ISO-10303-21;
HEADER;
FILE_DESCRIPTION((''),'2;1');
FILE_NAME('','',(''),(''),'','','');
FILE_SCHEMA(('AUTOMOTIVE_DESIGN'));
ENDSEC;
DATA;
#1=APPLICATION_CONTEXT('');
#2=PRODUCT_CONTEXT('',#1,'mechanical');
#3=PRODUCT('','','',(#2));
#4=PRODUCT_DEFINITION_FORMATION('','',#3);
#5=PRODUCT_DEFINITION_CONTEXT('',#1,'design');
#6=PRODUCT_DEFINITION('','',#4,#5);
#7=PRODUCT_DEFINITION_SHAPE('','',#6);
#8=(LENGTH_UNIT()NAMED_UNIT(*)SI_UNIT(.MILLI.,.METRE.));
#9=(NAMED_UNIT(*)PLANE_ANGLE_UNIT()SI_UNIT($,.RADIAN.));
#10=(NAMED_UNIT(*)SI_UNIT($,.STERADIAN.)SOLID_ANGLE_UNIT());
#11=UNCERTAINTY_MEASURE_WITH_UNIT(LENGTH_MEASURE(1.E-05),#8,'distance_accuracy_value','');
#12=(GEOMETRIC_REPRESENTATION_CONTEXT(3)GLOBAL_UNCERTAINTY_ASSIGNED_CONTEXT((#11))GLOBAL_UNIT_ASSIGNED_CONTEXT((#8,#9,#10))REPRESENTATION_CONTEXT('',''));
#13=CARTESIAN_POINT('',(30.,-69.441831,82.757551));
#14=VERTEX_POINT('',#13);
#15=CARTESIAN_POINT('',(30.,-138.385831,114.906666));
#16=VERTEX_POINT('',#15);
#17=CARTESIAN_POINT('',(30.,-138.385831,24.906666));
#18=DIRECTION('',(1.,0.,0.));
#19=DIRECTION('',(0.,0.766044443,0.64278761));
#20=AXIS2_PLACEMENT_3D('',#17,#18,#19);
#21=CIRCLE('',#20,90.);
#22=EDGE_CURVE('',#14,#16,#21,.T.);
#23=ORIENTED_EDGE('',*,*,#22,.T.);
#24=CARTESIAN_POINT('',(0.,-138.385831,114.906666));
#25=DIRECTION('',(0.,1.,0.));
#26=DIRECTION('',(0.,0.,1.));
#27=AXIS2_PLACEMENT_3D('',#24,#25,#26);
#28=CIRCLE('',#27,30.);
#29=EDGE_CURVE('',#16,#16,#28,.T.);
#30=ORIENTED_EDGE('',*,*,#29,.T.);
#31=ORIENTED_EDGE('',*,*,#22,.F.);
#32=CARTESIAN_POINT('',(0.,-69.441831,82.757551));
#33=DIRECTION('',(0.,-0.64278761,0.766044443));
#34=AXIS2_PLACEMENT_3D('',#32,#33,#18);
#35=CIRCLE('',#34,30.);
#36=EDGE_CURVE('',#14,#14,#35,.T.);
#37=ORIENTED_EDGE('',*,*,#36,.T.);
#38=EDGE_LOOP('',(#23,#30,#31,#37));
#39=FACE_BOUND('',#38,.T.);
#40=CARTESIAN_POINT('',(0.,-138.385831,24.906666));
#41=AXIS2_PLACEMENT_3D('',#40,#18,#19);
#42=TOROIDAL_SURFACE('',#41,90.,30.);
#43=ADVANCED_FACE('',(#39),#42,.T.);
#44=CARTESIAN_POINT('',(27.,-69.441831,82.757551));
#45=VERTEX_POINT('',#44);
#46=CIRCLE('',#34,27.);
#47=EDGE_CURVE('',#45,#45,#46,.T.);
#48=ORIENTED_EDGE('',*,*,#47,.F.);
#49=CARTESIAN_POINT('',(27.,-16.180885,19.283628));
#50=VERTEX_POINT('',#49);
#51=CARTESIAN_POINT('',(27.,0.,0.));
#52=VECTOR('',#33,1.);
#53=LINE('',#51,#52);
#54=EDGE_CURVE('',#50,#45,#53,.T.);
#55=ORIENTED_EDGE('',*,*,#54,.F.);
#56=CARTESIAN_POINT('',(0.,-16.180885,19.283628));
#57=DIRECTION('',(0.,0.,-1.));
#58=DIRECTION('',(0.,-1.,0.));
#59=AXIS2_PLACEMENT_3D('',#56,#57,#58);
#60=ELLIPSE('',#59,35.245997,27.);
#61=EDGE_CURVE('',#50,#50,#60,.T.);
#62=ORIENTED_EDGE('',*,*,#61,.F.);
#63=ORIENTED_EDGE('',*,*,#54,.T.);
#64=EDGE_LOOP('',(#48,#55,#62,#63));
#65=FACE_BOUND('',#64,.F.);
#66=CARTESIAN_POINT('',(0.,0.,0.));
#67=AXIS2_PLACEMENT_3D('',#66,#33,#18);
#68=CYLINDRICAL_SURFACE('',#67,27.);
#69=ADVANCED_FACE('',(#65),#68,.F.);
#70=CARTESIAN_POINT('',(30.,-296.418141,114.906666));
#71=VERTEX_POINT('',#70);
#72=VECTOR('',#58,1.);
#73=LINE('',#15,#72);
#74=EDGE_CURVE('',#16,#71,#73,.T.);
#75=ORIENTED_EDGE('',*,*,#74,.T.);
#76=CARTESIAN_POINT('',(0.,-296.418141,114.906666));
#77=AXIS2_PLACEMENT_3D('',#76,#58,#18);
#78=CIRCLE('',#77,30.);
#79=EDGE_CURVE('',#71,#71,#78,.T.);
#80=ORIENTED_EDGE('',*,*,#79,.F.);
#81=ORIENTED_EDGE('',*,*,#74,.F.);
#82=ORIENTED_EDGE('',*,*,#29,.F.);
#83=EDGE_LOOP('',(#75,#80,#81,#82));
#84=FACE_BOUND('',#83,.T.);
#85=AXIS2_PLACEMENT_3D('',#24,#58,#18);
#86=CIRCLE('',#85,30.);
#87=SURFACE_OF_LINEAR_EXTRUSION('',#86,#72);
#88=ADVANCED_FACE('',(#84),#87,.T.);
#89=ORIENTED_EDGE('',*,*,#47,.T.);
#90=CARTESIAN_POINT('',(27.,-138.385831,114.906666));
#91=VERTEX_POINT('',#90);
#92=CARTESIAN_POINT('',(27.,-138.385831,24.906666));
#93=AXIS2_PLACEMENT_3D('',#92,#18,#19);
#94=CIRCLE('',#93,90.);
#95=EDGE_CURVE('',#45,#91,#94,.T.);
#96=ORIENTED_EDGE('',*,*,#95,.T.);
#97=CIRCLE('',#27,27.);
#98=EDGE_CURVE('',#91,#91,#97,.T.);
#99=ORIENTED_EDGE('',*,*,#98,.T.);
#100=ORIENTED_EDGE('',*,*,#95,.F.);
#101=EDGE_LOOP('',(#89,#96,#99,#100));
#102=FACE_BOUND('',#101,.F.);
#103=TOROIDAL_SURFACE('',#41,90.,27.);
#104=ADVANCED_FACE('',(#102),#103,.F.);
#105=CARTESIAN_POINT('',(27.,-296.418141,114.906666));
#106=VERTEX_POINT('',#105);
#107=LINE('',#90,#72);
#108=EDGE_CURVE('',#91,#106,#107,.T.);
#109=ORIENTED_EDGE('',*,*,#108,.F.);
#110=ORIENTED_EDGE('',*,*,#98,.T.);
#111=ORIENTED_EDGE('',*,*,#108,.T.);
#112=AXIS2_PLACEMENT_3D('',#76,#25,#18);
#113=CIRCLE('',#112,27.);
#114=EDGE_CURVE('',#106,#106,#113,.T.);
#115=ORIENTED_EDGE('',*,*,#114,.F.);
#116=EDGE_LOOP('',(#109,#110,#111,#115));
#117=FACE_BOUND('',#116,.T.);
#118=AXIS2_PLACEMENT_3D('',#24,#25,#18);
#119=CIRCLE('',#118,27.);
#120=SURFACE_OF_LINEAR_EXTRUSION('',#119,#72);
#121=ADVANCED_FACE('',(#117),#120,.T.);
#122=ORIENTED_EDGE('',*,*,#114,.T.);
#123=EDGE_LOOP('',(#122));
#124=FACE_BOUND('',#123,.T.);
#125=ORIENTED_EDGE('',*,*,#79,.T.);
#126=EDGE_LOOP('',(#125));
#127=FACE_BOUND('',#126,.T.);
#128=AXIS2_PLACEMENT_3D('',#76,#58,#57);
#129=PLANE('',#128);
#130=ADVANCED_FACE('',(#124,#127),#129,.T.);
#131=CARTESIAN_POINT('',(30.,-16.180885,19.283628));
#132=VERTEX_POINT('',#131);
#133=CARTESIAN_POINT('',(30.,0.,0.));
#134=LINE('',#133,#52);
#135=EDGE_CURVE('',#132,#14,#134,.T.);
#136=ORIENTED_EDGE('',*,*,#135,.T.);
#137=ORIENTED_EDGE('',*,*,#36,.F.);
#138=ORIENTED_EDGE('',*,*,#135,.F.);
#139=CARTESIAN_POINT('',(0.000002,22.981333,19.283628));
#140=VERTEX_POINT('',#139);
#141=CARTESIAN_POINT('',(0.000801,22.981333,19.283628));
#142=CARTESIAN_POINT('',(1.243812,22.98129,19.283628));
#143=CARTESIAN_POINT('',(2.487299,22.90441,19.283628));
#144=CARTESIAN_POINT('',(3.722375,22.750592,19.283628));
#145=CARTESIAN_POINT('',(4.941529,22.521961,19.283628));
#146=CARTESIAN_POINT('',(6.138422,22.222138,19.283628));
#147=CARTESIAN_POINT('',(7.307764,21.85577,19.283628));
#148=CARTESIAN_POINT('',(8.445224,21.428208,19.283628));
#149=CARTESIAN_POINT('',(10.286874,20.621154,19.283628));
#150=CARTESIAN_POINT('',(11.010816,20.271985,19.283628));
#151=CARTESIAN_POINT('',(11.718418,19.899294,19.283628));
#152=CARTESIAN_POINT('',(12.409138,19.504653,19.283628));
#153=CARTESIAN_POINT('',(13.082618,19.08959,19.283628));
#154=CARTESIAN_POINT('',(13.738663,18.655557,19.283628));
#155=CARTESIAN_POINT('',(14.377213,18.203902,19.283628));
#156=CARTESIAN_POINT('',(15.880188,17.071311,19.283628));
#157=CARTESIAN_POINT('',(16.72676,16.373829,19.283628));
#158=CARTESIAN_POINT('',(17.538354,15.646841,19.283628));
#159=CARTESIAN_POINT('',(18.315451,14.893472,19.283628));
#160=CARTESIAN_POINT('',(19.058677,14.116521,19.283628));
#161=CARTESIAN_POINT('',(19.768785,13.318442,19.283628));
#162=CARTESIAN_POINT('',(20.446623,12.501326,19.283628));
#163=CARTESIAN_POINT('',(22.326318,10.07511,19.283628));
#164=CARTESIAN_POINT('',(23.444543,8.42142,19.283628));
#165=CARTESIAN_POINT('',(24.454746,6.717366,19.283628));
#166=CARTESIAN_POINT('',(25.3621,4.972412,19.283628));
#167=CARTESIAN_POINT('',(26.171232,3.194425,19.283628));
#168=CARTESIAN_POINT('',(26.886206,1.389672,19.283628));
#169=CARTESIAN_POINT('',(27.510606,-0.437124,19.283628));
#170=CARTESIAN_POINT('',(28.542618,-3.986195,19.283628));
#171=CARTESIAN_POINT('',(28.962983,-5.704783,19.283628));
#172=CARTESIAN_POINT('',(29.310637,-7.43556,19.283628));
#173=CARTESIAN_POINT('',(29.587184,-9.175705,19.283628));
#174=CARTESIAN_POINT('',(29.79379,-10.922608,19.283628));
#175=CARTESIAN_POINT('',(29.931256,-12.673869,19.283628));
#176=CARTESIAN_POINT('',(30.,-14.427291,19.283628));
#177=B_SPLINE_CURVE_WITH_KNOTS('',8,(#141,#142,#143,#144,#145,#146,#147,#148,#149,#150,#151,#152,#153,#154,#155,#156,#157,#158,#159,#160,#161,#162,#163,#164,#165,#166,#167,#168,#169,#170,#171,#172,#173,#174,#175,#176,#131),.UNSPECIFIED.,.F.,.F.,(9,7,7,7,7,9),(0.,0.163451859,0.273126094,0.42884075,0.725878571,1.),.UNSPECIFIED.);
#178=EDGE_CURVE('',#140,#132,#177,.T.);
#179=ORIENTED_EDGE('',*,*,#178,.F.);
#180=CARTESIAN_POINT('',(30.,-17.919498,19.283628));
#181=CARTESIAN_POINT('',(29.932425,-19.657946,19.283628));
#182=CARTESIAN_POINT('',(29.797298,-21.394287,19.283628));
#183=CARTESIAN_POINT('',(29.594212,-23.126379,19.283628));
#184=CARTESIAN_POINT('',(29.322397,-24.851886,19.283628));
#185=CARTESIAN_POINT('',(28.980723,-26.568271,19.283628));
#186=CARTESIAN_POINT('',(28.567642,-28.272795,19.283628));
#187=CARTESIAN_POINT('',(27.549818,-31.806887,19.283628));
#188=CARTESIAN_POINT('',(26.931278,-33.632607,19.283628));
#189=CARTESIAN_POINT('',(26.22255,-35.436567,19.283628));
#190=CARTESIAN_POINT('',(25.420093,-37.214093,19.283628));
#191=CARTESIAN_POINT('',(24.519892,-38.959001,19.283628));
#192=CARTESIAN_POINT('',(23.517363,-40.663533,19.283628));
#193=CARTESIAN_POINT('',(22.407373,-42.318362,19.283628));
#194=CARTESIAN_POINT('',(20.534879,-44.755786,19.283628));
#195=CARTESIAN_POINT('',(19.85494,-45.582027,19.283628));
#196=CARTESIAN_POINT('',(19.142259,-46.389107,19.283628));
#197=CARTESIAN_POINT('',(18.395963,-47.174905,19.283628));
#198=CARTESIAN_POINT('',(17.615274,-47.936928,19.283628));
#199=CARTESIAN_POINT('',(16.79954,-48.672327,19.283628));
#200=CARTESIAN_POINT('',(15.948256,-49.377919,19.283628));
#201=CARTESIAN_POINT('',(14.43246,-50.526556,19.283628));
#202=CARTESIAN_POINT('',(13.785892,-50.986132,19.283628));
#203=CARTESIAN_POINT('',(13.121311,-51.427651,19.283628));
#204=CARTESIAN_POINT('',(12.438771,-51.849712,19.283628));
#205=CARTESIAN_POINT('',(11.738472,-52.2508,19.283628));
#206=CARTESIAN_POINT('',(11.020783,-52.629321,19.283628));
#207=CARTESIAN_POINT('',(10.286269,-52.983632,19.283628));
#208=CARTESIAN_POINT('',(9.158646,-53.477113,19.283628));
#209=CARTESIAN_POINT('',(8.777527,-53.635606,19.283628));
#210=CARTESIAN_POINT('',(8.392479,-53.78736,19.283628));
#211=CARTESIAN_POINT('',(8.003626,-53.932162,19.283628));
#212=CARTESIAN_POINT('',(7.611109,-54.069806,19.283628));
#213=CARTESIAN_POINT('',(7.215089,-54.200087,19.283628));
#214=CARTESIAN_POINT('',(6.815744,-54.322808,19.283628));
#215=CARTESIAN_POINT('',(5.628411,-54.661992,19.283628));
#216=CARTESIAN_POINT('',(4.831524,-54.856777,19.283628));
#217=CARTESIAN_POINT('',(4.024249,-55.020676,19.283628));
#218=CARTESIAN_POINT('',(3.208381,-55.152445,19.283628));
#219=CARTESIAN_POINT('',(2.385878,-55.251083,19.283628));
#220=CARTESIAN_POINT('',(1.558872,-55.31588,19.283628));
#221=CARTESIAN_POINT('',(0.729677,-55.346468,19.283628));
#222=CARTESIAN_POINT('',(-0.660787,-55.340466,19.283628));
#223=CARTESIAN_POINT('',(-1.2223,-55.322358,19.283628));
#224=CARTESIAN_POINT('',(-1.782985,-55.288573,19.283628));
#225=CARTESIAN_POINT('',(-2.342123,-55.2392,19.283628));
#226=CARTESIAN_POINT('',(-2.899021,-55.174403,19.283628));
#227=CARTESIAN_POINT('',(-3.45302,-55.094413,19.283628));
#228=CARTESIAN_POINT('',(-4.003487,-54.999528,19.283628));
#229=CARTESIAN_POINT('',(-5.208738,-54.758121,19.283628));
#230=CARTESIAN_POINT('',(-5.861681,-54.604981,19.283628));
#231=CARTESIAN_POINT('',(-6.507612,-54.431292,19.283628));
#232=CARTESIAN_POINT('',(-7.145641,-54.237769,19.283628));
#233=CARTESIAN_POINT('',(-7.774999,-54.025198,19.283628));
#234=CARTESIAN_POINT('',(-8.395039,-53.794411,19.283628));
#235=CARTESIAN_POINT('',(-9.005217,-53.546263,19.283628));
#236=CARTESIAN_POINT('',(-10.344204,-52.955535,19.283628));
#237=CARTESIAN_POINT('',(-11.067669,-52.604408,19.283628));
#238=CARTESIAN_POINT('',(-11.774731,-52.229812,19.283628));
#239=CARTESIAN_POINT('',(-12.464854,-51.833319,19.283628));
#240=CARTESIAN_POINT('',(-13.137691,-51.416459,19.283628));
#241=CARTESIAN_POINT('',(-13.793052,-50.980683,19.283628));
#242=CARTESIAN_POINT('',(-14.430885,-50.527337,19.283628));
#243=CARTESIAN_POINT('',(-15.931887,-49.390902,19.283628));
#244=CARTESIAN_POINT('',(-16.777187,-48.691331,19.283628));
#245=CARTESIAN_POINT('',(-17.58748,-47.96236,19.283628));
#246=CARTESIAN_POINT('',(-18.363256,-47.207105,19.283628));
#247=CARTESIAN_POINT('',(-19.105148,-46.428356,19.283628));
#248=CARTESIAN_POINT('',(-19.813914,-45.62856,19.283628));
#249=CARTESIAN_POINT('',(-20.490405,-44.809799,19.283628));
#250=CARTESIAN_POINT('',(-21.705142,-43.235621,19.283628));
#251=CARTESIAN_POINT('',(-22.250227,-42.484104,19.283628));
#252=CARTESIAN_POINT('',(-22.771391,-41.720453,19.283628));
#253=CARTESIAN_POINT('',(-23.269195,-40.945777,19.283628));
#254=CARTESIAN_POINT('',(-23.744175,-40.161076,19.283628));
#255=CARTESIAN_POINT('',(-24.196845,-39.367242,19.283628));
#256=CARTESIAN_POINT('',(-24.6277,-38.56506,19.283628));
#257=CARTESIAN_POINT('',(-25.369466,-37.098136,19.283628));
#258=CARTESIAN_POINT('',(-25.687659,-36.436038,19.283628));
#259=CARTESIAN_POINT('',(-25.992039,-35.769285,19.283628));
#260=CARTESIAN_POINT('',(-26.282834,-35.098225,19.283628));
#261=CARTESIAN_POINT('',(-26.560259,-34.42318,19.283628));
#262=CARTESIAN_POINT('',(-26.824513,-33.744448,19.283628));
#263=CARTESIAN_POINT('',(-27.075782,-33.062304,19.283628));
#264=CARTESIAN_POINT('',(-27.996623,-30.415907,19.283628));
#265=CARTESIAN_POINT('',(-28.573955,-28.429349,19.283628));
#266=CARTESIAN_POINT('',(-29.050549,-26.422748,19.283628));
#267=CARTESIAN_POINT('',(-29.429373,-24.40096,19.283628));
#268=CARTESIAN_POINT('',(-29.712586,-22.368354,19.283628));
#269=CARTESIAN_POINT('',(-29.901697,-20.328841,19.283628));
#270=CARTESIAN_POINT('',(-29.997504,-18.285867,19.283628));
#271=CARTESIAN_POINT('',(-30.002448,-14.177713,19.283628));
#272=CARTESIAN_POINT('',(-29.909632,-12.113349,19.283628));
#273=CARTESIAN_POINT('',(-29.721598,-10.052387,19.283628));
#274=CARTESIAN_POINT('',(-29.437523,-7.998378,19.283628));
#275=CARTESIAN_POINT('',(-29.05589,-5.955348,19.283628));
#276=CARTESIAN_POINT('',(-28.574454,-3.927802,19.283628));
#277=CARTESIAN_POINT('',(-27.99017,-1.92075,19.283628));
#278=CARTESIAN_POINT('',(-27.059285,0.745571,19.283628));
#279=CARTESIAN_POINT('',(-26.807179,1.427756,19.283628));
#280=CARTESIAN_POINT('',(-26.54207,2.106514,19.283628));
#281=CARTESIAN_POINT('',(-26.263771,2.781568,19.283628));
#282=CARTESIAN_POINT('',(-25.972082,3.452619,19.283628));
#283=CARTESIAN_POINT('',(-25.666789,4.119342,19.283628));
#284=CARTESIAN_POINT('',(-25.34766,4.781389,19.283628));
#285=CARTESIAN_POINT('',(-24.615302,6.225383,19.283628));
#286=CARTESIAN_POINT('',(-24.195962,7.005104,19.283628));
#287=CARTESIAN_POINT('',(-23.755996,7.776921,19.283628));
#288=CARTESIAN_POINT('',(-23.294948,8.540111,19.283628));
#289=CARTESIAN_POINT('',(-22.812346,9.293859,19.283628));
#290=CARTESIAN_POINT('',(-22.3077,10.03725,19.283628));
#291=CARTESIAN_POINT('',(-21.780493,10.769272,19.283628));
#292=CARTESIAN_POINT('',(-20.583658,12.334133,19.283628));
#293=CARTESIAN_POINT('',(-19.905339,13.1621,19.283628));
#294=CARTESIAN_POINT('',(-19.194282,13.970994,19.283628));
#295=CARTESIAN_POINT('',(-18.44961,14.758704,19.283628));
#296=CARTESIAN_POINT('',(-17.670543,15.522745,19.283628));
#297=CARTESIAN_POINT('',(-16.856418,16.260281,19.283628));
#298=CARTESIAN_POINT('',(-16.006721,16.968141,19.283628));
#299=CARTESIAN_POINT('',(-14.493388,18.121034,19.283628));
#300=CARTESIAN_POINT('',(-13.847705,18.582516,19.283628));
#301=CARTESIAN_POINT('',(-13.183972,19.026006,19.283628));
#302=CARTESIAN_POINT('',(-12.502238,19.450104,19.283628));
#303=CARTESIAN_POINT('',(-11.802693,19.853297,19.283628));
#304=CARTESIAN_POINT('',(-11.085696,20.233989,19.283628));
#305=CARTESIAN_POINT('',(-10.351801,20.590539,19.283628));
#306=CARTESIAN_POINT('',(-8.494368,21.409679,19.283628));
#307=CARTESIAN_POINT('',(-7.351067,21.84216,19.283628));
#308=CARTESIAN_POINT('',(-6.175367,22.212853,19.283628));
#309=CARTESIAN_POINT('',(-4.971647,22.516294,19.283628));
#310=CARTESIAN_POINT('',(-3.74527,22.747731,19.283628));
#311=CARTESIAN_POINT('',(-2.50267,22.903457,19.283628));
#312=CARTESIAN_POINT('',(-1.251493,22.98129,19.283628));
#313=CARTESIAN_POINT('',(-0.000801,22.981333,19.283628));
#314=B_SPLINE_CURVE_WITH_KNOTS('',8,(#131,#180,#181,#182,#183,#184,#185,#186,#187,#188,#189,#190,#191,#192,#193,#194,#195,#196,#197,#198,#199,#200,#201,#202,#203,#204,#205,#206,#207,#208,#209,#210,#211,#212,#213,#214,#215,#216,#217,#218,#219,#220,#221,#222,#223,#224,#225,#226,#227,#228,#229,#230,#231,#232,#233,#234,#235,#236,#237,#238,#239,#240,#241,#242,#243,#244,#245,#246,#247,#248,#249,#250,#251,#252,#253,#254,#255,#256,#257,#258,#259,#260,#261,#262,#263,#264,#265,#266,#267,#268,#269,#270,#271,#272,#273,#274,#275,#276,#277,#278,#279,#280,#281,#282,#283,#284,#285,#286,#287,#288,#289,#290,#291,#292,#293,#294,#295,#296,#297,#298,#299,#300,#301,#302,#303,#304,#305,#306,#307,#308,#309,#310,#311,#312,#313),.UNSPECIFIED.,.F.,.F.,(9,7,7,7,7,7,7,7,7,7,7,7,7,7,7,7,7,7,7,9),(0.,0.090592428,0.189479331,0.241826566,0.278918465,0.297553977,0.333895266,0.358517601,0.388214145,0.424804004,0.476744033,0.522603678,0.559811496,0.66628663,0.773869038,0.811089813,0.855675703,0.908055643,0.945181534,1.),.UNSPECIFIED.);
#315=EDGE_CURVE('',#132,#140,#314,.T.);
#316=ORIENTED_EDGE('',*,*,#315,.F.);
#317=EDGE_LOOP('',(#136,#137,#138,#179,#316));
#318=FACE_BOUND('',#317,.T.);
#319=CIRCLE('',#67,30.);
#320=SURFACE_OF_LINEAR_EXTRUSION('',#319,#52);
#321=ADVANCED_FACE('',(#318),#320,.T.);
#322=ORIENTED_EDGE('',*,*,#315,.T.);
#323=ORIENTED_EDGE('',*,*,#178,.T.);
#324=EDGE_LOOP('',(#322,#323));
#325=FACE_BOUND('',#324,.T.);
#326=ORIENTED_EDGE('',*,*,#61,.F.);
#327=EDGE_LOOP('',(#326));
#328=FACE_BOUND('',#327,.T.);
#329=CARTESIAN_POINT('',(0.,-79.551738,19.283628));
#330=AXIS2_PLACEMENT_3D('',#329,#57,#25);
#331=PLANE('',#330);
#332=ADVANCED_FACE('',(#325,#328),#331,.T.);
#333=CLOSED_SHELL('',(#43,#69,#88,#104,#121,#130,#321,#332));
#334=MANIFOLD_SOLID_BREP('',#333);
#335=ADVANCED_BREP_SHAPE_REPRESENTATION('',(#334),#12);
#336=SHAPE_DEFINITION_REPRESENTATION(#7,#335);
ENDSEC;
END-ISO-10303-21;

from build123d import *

# Parameters (mm, degrees)
SKETCH2_R          = 30
SKETCH2_R_2        = 27
SKETCH3_W          = 74.646926984
SKETCH3_H          = 102.533071649
CUT_EXTRUDE1_DEPTH = 65


with BuildPart() as part:
    # Sweep-Thin1: sweep along a path in Sketch1
    with BuildLine(Plane(origin=(0, 0, 0), x_dir=(0, 0, -1), z_dir=(1, 0, 0))) as sweep_thin1_path:
        Line((0, 0), (-82.75755134, -69.441830806))
        ThreePointArc((-82.75755134, -69.441830806), (-106.474367301, -100.35018713), (-114.906666468, -138.385830687))
        Line((-114.906666468, -138.385830687), (-114.906666468, -296.418141453))
    # Sketch2 → Sweep-Thin1 (sweep)
    with BuildSketch(Plane(origin=(0, 0, 0), x_dir=(1, 0, 0), z_dir=(0, -0.64278761, 0.766044443))):
        Circle(SKETCH2_R)
        Circle(SKETCH2_R_2, mode=Mode.SUBTRACT)
    sweep(path=sweep_thin1_path.line)

    # Sketch3 → Cut-Extrude1 (cut, symmetric)
    with BuildSketch(Plane(origin=(0, 0, 0), x_dir=(0, 0, -1), z_dir=(1, 0, 0))):
        with Locations((18.039835201, -28.285202531)):
            Rectangle(SKETCH3_W, SKETCH3_H)
    extrude(amount=CUT_EXTRUDE1_DEPTH, both=True, mode=Mode.SUBTRACT)


solid = part.part
